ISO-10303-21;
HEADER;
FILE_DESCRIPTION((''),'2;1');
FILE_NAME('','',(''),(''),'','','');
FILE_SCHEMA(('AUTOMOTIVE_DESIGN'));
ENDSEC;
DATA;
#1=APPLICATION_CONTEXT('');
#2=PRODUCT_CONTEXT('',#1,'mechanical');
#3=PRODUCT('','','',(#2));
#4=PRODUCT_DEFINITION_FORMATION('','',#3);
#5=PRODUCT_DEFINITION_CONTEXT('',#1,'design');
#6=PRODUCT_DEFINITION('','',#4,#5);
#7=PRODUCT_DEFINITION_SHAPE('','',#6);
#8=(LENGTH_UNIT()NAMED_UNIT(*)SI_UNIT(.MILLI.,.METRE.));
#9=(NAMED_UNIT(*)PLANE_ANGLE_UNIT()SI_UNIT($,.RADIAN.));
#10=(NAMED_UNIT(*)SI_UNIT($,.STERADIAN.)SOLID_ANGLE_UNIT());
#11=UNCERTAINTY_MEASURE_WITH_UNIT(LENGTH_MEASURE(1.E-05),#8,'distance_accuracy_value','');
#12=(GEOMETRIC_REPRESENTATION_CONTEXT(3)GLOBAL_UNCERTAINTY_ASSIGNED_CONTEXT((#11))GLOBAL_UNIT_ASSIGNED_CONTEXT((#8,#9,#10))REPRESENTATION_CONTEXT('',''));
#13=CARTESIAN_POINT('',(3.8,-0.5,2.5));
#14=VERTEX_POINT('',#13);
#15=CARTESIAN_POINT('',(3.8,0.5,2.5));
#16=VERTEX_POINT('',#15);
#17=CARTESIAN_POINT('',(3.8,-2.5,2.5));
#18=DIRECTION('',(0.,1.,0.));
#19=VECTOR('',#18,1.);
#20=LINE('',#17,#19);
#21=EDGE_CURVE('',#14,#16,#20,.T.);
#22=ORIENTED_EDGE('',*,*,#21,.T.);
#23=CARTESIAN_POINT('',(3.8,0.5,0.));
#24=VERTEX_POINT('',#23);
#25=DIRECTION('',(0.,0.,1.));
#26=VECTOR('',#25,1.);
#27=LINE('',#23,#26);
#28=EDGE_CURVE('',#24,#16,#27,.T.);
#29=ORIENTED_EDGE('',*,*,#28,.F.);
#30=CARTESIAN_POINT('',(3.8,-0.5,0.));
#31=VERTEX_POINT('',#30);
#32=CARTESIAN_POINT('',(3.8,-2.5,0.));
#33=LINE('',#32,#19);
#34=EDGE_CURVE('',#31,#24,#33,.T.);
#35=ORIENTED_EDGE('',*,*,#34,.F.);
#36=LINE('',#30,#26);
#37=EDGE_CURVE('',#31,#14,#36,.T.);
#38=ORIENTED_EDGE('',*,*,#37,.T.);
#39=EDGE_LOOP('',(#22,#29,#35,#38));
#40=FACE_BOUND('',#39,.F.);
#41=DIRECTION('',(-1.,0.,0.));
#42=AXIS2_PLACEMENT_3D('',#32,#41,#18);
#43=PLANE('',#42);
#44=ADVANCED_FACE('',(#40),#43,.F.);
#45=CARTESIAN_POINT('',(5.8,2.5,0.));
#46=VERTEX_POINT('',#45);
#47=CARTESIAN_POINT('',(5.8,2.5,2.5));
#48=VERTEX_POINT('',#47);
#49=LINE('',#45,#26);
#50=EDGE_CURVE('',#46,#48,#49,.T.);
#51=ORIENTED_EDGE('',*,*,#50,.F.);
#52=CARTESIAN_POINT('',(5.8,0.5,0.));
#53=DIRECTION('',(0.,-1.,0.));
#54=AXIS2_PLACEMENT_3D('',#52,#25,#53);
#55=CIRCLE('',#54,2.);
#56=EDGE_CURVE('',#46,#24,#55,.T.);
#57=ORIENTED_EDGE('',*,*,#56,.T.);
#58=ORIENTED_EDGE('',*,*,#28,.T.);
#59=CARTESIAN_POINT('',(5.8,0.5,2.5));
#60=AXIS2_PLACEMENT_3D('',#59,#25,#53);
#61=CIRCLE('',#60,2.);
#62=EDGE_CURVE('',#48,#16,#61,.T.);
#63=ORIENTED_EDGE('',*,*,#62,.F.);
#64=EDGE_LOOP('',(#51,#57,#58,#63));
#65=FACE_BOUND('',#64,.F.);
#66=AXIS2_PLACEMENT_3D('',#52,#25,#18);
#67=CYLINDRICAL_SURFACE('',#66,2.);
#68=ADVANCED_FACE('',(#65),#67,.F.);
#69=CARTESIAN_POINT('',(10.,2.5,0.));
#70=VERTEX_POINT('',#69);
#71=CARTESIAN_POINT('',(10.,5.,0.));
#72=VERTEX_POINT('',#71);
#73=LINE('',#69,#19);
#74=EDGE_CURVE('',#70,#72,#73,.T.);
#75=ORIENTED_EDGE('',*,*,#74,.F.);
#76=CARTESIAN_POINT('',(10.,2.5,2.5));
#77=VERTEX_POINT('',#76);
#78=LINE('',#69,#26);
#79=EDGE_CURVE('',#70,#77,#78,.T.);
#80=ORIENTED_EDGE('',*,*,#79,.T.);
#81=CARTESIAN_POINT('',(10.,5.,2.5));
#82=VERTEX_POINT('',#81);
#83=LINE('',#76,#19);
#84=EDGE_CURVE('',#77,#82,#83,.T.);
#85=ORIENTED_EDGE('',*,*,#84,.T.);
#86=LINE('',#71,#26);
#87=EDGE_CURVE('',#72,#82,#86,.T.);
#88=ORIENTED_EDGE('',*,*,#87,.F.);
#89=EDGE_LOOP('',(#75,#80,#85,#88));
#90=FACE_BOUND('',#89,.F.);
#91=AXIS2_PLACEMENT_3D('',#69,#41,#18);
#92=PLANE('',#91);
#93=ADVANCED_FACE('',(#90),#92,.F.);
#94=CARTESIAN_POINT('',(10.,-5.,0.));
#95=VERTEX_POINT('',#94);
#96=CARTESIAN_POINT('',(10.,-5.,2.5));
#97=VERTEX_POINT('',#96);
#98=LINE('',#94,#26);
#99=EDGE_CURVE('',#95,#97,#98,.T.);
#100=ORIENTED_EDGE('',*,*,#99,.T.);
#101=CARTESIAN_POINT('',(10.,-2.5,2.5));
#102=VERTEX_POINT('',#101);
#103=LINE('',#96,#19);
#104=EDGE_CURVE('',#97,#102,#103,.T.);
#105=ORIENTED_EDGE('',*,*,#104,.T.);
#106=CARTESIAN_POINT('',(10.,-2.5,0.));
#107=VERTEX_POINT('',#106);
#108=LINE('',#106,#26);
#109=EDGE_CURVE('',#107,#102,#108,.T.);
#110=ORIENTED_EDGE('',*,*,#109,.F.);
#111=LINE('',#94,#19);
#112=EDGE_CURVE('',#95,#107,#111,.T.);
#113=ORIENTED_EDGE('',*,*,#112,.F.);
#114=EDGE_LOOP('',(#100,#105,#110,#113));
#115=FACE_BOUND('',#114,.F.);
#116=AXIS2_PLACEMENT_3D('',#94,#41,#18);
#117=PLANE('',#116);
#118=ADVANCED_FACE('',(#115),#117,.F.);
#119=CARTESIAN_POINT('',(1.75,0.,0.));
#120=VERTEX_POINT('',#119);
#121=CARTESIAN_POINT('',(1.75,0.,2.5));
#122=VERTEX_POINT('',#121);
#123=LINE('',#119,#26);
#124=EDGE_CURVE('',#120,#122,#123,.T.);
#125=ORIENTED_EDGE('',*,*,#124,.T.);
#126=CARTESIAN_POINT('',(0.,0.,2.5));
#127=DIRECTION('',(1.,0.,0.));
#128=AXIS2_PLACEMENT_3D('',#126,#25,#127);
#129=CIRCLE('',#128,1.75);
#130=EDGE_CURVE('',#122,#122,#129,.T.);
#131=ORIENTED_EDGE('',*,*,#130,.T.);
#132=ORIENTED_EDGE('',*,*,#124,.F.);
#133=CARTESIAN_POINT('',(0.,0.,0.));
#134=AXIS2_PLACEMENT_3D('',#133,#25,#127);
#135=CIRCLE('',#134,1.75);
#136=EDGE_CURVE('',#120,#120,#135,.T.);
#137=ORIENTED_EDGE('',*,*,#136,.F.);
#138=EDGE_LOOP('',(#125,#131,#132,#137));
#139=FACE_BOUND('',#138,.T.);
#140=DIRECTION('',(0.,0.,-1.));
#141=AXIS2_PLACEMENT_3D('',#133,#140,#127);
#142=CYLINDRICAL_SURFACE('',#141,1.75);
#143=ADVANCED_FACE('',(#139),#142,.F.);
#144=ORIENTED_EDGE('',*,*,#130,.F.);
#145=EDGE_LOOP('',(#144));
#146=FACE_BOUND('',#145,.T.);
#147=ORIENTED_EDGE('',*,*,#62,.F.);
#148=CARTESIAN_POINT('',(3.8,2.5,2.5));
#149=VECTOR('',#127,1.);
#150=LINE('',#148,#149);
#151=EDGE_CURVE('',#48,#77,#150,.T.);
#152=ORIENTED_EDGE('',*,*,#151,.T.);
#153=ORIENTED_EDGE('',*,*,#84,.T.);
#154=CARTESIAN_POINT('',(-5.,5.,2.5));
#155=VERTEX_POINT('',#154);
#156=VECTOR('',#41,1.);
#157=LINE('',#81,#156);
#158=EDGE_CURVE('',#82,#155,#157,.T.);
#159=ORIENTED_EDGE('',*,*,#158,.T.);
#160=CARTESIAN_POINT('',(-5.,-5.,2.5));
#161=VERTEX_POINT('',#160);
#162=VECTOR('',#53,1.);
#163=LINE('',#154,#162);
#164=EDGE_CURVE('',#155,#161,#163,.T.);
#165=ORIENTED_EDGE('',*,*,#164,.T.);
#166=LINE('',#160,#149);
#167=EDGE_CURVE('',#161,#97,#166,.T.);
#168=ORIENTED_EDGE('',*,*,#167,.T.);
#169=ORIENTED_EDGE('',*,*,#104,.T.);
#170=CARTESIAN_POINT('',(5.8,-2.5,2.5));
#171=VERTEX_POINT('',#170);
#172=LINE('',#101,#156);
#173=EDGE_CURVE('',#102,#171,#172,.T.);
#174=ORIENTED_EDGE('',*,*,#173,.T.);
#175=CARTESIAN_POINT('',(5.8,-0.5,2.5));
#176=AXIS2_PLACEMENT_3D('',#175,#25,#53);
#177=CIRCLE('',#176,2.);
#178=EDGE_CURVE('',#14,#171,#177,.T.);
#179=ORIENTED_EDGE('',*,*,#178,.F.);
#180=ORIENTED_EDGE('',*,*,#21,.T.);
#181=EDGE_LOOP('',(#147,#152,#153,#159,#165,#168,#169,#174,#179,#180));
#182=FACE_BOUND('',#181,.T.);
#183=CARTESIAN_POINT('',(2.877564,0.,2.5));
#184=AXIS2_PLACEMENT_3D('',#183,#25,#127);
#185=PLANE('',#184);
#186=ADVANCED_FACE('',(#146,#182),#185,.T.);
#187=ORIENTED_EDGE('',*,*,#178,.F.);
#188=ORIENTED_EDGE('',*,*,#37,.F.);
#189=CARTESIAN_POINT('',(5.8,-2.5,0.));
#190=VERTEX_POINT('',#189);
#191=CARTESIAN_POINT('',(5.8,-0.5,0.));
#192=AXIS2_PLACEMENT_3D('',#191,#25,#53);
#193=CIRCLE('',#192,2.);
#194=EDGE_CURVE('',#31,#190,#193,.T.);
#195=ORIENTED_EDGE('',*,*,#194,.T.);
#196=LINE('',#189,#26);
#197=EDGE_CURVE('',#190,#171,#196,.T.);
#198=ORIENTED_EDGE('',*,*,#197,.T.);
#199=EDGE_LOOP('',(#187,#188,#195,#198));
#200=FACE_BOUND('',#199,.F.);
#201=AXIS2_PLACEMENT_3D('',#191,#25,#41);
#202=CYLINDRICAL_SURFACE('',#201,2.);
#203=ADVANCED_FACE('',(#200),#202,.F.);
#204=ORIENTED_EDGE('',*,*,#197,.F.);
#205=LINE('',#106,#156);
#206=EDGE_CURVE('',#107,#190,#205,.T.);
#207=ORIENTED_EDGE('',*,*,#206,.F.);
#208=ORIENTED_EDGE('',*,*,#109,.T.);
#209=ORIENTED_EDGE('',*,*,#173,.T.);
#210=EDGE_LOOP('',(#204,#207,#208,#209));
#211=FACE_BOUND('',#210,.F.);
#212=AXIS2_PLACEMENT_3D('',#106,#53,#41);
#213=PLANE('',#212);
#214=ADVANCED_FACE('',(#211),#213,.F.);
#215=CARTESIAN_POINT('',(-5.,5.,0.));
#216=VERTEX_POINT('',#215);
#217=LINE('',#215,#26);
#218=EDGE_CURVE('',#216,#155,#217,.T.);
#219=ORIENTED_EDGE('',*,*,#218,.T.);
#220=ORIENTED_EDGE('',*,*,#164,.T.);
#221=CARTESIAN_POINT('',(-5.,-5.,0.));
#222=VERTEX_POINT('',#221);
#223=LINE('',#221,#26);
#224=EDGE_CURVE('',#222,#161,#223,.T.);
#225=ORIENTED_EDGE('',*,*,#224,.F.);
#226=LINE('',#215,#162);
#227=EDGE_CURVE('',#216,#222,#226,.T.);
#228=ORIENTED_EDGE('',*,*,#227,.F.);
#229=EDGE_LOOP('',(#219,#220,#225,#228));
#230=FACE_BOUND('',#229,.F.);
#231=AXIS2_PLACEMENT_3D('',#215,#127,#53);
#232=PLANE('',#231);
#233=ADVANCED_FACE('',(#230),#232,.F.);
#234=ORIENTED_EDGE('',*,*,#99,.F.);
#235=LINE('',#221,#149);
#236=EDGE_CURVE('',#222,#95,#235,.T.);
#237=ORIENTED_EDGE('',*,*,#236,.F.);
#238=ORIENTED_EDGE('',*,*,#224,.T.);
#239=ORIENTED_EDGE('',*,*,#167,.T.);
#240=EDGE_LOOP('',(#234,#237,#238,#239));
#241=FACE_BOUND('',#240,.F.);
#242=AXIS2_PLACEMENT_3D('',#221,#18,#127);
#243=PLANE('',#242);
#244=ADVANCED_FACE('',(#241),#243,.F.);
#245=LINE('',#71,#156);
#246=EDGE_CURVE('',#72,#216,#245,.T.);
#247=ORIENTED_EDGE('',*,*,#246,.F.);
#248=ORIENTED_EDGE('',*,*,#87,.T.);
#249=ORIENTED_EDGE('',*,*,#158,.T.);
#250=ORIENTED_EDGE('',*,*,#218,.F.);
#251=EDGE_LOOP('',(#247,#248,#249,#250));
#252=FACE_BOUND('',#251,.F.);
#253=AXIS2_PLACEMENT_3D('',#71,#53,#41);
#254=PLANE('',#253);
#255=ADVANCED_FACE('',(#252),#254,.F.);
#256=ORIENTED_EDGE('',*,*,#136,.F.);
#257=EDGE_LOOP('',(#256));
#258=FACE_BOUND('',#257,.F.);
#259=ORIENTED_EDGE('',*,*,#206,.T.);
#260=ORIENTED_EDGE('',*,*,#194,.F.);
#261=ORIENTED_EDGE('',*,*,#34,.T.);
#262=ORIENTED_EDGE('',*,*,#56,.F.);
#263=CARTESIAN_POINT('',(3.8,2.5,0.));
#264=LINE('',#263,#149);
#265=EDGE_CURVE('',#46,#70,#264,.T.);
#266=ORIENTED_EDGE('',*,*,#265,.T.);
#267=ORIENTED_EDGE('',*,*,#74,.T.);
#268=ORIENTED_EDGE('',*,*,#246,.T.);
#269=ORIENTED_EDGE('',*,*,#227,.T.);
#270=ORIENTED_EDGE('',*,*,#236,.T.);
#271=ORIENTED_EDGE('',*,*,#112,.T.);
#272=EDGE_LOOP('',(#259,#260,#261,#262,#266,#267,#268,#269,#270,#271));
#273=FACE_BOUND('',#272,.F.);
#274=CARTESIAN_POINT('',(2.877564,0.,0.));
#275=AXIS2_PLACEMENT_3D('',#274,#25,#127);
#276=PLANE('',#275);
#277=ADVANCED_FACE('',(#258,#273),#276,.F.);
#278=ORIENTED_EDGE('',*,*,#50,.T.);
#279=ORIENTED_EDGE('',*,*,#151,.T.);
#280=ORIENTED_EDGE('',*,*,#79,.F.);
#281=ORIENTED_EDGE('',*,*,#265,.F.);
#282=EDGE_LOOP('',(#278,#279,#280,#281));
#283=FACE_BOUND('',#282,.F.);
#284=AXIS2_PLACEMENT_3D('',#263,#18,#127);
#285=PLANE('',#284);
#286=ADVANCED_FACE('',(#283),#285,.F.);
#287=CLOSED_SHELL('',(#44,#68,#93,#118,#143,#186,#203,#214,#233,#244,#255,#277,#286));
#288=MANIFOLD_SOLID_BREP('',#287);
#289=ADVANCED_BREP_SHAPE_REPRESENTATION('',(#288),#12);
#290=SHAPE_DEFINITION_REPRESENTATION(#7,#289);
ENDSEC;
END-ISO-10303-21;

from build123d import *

# Parameters (mm, degrees)
F0_R     = 1.75
F1_DEPTH = 2.5
F2_R     = 2
F3_R     = 2


with BuildPart() as f1:
    # F0 (on Top) → F1 (new body)
    with BuildSketch(Plane.XY):
        Polygon((10, 5), (-5, 5), (-5, -5), (10, -5), (10, -2.5), (3.8, -2.5), (3.8, 2.5), (10, 2.5), align=None)
        Circle(F0_R, mode=Mode.SUBTRACT)
    extrude(amount=F1_DEPTH)

    # F2
    f2_edges = [f1.edges().sort_by_distance(p)[0] for p in [
        (3.8, 2.5, 1.25),
    ]]
    fillet(f2_edges, radius=F2_R)

    # F3
    f3_edges = [f1.edges().sort_by_distance(p)[0] for p in [
        (3.8, -2.5, 1.25),
    ]]
    fillet(f3_edges, radius=F3_R)


solid = f1.part
